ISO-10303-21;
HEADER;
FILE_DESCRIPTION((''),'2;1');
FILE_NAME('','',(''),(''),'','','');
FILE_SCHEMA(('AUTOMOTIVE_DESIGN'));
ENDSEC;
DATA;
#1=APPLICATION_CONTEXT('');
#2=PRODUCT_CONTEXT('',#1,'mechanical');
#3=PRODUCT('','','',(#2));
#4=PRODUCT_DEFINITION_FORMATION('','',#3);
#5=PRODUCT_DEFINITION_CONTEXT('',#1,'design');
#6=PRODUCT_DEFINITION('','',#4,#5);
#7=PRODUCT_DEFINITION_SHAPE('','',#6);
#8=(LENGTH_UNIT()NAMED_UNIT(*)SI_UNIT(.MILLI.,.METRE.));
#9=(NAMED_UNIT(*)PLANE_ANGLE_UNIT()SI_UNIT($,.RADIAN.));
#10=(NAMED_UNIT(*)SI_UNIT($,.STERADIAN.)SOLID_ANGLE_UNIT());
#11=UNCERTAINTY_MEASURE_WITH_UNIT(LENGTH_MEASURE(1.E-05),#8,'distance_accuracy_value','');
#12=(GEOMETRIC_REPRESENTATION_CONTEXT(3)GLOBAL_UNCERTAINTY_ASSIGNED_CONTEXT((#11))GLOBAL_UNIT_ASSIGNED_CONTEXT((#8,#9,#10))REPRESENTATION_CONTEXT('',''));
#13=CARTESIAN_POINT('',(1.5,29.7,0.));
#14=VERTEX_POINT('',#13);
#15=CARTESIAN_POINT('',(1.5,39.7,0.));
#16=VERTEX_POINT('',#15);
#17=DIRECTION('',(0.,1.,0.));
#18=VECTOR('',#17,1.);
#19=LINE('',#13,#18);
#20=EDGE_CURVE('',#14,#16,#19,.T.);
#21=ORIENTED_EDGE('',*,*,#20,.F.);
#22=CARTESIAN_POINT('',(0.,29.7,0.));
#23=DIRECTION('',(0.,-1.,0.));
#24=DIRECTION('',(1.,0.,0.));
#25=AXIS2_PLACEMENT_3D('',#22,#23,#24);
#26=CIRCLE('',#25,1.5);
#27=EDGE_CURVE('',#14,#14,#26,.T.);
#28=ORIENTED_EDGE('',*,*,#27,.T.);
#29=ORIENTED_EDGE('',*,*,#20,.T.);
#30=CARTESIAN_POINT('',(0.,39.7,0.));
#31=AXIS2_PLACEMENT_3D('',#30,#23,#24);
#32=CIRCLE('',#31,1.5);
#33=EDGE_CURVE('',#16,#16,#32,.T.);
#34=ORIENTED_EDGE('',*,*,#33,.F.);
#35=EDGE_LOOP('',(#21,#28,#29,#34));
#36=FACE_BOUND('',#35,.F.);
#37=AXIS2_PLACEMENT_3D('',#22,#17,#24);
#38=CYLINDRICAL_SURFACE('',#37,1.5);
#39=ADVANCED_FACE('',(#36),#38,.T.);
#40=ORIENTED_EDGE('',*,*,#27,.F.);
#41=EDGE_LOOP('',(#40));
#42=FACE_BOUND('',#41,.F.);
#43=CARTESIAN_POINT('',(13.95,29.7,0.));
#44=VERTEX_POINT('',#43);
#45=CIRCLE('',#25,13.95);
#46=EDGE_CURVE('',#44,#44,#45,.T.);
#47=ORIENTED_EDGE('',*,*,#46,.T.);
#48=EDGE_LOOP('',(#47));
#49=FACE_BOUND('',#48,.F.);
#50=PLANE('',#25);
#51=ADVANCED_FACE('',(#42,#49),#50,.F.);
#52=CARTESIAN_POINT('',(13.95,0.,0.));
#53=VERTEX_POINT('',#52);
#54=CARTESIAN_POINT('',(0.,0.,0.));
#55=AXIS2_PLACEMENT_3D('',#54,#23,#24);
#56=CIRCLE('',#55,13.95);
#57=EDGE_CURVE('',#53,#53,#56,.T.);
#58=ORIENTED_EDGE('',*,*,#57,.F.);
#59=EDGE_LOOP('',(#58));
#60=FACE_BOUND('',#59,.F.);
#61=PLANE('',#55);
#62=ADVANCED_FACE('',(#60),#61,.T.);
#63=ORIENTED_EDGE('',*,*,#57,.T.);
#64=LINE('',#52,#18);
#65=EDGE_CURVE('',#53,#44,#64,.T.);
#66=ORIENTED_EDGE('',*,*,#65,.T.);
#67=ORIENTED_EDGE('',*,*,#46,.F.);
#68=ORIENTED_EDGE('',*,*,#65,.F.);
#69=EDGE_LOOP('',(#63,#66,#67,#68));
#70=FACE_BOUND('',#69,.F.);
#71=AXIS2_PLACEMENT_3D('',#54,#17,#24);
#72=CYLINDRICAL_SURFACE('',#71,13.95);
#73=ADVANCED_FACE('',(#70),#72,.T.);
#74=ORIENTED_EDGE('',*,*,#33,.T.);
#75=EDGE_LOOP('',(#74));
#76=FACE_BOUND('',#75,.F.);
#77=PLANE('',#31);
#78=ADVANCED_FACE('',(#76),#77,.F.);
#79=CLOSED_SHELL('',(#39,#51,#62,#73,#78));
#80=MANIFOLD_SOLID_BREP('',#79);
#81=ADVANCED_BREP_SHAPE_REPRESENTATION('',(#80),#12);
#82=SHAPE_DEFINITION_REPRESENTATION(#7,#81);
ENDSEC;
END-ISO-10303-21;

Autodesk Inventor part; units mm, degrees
ref_plane "YZ Plane" through (0, 0, 0) normal (1, 0, 0) x (0, 1, 0)
ref_plane "XZ Plane" through (0, 0, 0) normal (0, 1, 0) x (-1, 0, 0)
ref_plane "XY Plane" through (0, 0, 0) normal (0, 0, 1) x (1, 0, 0)
sketch "Sketch1" plane through (0, 0, 0) normal (0, 0, 1) x (1, 0, 0)
  line L0 (0, 0) -> (13.95, 0)
  line L1 (13.95, 0) -> (13.95, 29.7)
  line L2 (13.95, 29.7) -> (1.5, 29.7)
  line L3 (1.5, 29.7) -> (1.5, 39.7)
  line L4 (1.5, 39.7) -> (0, 39.7)
  line L5 (0, 39.7) -> (0, 0)
  dimension "d0" = 1.5
  dimension "d1" = 39.7
  dimension "d2" = 13.95
  dimension "d3" = 10
revolve "Revolution1" add sketch "Sketch1" angle 360 about axis through (0, 39.7, 0) along (0, -1, 0)
properties part number "motor reaction wheel'" material "PVC, Unplasticized"
